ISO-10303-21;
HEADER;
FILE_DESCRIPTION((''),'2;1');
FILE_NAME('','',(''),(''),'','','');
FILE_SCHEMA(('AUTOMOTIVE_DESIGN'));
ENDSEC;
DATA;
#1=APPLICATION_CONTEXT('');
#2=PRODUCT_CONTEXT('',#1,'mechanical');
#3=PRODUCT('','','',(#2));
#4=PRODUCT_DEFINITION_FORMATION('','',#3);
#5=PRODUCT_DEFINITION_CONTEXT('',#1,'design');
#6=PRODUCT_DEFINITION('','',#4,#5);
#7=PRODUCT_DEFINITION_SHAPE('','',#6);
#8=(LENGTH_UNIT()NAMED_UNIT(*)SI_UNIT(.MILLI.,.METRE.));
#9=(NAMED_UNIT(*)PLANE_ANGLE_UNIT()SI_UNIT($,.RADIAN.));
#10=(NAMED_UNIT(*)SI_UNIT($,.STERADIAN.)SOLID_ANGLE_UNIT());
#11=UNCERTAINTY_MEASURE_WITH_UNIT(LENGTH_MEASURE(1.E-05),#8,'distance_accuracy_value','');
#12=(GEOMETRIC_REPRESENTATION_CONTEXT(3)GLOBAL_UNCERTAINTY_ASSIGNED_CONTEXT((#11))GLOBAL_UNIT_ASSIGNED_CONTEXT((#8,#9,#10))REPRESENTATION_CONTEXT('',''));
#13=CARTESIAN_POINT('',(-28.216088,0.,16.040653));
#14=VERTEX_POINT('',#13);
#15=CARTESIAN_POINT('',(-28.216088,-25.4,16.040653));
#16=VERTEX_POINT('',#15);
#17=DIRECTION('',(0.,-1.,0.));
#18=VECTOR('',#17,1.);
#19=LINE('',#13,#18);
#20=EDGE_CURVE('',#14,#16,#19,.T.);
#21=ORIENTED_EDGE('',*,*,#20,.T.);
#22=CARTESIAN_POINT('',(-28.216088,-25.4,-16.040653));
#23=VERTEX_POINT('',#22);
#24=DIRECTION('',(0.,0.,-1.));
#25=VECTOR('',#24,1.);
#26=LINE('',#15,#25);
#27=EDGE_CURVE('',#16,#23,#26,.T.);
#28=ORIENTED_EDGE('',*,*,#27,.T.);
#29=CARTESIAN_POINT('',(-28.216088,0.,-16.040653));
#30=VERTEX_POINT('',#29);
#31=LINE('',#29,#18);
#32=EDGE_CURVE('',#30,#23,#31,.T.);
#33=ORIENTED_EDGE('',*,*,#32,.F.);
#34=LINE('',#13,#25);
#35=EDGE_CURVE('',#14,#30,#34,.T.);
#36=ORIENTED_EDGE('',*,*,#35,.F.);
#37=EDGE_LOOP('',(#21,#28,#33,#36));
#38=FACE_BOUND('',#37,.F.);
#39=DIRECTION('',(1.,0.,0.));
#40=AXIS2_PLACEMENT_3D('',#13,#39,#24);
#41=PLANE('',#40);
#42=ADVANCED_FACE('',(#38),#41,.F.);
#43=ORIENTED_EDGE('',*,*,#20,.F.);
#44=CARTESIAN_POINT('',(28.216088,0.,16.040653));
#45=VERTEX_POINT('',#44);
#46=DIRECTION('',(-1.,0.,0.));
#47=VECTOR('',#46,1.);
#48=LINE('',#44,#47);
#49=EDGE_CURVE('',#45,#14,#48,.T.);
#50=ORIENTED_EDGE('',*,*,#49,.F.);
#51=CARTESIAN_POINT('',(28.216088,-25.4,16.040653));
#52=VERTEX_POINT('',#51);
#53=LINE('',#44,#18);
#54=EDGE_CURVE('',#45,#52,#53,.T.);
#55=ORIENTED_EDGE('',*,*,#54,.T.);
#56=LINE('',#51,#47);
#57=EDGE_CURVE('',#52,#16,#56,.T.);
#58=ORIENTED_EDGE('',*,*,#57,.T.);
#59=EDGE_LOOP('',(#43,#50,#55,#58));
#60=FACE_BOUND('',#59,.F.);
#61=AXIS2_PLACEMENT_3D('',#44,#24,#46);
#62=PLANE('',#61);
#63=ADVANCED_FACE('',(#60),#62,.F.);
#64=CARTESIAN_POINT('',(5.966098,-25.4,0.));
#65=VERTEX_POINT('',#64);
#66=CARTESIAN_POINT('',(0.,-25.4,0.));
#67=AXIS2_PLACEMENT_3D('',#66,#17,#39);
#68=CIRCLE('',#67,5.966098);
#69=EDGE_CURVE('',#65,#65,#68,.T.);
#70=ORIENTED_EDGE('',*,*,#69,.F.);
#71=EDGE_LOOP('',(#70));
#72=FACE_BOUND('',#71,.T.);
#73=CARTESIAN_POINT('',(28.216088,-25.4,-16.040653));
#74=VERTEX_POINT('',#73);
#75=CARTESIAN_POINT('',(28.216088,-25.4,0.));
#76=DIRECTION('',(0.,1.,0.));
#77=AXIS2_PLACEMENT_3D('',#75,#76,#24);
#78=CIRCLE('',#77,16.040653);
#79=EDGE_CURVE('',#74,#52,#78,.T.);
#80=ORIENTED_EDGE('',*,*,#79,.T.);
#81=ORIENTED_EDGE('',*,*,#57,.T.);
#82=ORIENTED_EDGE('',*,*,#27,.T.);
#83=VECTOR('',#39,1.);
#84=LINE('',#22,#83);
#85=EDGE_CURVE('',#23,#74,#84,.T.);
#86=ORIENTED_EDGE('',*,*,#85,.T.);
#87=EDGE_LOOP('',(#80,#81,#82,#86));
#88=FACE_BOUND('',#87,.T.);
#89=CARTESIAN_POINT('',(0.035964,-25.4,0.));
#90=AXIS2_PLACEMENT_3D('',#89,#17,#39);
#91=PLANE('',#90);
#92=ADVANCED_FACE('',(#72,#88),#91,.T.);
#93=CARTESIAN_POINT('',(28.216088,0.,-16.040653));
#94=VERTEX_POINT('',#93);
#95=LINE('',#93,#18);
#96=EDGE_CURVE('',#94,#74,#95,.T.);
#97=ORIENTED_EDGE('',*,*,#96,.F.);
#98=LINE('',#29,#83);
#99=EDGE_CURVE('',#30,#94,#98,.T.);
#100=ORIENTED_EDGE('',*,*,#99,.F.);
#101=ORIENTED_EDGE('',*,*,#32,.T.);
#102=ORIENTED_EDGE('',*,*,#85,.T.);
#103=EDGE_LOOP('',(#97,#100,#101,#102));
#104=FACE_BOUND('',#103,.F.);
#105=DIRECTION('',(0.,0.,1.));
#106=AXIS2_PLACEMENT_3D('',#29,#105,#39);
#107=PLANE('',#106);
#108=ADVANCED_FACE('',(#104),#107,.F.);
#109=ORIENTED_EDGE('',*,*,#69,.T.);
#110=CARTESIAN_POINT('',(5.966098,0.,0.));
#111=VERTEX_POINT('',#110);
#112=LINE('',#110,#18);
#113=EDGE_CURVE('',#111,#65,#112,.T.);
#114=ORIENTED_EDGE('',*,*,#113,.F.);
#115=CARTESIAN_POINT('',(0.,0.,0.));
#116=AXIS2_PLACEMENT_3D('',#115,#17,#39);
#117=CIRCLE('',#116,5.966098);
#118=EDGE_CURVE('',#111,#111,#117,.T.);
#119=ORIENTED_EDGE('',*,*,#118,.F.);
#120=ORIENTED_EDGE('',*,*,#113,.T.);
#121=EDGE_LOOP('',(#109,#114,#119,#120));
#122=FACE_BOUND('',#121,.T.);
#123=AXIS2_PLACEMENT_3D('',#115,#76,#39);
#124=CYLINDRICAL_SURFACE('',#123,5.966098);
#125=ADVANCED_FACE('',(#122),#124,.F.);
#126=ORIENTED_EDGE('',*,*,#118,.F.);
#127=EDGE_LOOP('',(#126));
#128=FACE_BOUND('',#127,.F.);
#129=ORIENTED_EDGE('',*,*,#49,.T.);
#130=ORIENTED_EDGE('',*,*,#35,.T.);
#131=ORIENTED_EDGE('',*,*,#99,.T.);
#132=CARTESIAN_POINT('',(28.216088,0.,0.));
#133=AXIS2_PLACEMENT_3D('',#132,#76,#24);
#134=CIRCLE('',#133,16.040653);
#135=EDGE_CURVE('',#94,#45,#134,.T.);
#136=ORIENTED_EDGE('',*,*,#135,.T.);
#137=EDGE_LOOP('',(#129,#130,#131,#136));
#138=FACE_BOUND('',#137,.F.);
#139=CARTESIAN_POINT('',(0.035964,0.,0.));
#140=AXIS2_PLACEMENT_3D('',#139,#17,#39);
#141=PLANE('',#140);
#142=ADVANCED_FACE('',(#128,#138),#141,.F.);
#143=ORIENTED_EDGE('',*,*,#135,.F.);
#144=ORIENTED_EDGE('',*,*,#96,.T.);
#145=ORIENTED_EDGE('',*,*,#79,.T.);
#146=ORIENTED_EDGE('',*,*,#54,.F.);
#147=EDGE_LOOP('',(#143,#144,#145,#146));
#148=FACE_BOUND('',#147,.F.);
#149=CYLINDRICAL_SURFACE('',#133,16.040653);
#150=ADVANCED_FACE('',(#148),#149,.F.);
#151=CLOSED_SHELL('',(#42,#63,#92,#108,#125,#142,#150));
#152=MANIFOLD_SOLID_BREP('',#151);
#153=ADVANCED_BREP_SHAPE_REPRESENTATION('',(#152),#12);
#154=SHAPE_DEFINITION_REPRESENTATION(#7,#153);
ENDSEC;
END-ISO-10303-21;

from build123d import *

# Parameters (mm, degrees)
F0_R     = 5.966098
F1_DEPTH = 25.4


with BuildPart() as f1:
    # F0 (on Front) → F1 (new body)
    with BuildSketch(Plane.XZ):
        with BuildLine():
            Line((28.216088, 16.040653), (-28.216088, 16.040653))
            Line((-28.216088, 16.040653), (-28.216088, -16.040653))
            Line((-28.216088, -16.040653), (28.216088, -16.040653))
            ThreePointArc((28.216088, -16.040653), (12.175435, 0), (28.216088, 16.040653))
        make_face()
        Circle(F0_R, mode=Mode.SUBTRACT)
    extrude(amount=F1_DEPTH)


solid = f1.part
